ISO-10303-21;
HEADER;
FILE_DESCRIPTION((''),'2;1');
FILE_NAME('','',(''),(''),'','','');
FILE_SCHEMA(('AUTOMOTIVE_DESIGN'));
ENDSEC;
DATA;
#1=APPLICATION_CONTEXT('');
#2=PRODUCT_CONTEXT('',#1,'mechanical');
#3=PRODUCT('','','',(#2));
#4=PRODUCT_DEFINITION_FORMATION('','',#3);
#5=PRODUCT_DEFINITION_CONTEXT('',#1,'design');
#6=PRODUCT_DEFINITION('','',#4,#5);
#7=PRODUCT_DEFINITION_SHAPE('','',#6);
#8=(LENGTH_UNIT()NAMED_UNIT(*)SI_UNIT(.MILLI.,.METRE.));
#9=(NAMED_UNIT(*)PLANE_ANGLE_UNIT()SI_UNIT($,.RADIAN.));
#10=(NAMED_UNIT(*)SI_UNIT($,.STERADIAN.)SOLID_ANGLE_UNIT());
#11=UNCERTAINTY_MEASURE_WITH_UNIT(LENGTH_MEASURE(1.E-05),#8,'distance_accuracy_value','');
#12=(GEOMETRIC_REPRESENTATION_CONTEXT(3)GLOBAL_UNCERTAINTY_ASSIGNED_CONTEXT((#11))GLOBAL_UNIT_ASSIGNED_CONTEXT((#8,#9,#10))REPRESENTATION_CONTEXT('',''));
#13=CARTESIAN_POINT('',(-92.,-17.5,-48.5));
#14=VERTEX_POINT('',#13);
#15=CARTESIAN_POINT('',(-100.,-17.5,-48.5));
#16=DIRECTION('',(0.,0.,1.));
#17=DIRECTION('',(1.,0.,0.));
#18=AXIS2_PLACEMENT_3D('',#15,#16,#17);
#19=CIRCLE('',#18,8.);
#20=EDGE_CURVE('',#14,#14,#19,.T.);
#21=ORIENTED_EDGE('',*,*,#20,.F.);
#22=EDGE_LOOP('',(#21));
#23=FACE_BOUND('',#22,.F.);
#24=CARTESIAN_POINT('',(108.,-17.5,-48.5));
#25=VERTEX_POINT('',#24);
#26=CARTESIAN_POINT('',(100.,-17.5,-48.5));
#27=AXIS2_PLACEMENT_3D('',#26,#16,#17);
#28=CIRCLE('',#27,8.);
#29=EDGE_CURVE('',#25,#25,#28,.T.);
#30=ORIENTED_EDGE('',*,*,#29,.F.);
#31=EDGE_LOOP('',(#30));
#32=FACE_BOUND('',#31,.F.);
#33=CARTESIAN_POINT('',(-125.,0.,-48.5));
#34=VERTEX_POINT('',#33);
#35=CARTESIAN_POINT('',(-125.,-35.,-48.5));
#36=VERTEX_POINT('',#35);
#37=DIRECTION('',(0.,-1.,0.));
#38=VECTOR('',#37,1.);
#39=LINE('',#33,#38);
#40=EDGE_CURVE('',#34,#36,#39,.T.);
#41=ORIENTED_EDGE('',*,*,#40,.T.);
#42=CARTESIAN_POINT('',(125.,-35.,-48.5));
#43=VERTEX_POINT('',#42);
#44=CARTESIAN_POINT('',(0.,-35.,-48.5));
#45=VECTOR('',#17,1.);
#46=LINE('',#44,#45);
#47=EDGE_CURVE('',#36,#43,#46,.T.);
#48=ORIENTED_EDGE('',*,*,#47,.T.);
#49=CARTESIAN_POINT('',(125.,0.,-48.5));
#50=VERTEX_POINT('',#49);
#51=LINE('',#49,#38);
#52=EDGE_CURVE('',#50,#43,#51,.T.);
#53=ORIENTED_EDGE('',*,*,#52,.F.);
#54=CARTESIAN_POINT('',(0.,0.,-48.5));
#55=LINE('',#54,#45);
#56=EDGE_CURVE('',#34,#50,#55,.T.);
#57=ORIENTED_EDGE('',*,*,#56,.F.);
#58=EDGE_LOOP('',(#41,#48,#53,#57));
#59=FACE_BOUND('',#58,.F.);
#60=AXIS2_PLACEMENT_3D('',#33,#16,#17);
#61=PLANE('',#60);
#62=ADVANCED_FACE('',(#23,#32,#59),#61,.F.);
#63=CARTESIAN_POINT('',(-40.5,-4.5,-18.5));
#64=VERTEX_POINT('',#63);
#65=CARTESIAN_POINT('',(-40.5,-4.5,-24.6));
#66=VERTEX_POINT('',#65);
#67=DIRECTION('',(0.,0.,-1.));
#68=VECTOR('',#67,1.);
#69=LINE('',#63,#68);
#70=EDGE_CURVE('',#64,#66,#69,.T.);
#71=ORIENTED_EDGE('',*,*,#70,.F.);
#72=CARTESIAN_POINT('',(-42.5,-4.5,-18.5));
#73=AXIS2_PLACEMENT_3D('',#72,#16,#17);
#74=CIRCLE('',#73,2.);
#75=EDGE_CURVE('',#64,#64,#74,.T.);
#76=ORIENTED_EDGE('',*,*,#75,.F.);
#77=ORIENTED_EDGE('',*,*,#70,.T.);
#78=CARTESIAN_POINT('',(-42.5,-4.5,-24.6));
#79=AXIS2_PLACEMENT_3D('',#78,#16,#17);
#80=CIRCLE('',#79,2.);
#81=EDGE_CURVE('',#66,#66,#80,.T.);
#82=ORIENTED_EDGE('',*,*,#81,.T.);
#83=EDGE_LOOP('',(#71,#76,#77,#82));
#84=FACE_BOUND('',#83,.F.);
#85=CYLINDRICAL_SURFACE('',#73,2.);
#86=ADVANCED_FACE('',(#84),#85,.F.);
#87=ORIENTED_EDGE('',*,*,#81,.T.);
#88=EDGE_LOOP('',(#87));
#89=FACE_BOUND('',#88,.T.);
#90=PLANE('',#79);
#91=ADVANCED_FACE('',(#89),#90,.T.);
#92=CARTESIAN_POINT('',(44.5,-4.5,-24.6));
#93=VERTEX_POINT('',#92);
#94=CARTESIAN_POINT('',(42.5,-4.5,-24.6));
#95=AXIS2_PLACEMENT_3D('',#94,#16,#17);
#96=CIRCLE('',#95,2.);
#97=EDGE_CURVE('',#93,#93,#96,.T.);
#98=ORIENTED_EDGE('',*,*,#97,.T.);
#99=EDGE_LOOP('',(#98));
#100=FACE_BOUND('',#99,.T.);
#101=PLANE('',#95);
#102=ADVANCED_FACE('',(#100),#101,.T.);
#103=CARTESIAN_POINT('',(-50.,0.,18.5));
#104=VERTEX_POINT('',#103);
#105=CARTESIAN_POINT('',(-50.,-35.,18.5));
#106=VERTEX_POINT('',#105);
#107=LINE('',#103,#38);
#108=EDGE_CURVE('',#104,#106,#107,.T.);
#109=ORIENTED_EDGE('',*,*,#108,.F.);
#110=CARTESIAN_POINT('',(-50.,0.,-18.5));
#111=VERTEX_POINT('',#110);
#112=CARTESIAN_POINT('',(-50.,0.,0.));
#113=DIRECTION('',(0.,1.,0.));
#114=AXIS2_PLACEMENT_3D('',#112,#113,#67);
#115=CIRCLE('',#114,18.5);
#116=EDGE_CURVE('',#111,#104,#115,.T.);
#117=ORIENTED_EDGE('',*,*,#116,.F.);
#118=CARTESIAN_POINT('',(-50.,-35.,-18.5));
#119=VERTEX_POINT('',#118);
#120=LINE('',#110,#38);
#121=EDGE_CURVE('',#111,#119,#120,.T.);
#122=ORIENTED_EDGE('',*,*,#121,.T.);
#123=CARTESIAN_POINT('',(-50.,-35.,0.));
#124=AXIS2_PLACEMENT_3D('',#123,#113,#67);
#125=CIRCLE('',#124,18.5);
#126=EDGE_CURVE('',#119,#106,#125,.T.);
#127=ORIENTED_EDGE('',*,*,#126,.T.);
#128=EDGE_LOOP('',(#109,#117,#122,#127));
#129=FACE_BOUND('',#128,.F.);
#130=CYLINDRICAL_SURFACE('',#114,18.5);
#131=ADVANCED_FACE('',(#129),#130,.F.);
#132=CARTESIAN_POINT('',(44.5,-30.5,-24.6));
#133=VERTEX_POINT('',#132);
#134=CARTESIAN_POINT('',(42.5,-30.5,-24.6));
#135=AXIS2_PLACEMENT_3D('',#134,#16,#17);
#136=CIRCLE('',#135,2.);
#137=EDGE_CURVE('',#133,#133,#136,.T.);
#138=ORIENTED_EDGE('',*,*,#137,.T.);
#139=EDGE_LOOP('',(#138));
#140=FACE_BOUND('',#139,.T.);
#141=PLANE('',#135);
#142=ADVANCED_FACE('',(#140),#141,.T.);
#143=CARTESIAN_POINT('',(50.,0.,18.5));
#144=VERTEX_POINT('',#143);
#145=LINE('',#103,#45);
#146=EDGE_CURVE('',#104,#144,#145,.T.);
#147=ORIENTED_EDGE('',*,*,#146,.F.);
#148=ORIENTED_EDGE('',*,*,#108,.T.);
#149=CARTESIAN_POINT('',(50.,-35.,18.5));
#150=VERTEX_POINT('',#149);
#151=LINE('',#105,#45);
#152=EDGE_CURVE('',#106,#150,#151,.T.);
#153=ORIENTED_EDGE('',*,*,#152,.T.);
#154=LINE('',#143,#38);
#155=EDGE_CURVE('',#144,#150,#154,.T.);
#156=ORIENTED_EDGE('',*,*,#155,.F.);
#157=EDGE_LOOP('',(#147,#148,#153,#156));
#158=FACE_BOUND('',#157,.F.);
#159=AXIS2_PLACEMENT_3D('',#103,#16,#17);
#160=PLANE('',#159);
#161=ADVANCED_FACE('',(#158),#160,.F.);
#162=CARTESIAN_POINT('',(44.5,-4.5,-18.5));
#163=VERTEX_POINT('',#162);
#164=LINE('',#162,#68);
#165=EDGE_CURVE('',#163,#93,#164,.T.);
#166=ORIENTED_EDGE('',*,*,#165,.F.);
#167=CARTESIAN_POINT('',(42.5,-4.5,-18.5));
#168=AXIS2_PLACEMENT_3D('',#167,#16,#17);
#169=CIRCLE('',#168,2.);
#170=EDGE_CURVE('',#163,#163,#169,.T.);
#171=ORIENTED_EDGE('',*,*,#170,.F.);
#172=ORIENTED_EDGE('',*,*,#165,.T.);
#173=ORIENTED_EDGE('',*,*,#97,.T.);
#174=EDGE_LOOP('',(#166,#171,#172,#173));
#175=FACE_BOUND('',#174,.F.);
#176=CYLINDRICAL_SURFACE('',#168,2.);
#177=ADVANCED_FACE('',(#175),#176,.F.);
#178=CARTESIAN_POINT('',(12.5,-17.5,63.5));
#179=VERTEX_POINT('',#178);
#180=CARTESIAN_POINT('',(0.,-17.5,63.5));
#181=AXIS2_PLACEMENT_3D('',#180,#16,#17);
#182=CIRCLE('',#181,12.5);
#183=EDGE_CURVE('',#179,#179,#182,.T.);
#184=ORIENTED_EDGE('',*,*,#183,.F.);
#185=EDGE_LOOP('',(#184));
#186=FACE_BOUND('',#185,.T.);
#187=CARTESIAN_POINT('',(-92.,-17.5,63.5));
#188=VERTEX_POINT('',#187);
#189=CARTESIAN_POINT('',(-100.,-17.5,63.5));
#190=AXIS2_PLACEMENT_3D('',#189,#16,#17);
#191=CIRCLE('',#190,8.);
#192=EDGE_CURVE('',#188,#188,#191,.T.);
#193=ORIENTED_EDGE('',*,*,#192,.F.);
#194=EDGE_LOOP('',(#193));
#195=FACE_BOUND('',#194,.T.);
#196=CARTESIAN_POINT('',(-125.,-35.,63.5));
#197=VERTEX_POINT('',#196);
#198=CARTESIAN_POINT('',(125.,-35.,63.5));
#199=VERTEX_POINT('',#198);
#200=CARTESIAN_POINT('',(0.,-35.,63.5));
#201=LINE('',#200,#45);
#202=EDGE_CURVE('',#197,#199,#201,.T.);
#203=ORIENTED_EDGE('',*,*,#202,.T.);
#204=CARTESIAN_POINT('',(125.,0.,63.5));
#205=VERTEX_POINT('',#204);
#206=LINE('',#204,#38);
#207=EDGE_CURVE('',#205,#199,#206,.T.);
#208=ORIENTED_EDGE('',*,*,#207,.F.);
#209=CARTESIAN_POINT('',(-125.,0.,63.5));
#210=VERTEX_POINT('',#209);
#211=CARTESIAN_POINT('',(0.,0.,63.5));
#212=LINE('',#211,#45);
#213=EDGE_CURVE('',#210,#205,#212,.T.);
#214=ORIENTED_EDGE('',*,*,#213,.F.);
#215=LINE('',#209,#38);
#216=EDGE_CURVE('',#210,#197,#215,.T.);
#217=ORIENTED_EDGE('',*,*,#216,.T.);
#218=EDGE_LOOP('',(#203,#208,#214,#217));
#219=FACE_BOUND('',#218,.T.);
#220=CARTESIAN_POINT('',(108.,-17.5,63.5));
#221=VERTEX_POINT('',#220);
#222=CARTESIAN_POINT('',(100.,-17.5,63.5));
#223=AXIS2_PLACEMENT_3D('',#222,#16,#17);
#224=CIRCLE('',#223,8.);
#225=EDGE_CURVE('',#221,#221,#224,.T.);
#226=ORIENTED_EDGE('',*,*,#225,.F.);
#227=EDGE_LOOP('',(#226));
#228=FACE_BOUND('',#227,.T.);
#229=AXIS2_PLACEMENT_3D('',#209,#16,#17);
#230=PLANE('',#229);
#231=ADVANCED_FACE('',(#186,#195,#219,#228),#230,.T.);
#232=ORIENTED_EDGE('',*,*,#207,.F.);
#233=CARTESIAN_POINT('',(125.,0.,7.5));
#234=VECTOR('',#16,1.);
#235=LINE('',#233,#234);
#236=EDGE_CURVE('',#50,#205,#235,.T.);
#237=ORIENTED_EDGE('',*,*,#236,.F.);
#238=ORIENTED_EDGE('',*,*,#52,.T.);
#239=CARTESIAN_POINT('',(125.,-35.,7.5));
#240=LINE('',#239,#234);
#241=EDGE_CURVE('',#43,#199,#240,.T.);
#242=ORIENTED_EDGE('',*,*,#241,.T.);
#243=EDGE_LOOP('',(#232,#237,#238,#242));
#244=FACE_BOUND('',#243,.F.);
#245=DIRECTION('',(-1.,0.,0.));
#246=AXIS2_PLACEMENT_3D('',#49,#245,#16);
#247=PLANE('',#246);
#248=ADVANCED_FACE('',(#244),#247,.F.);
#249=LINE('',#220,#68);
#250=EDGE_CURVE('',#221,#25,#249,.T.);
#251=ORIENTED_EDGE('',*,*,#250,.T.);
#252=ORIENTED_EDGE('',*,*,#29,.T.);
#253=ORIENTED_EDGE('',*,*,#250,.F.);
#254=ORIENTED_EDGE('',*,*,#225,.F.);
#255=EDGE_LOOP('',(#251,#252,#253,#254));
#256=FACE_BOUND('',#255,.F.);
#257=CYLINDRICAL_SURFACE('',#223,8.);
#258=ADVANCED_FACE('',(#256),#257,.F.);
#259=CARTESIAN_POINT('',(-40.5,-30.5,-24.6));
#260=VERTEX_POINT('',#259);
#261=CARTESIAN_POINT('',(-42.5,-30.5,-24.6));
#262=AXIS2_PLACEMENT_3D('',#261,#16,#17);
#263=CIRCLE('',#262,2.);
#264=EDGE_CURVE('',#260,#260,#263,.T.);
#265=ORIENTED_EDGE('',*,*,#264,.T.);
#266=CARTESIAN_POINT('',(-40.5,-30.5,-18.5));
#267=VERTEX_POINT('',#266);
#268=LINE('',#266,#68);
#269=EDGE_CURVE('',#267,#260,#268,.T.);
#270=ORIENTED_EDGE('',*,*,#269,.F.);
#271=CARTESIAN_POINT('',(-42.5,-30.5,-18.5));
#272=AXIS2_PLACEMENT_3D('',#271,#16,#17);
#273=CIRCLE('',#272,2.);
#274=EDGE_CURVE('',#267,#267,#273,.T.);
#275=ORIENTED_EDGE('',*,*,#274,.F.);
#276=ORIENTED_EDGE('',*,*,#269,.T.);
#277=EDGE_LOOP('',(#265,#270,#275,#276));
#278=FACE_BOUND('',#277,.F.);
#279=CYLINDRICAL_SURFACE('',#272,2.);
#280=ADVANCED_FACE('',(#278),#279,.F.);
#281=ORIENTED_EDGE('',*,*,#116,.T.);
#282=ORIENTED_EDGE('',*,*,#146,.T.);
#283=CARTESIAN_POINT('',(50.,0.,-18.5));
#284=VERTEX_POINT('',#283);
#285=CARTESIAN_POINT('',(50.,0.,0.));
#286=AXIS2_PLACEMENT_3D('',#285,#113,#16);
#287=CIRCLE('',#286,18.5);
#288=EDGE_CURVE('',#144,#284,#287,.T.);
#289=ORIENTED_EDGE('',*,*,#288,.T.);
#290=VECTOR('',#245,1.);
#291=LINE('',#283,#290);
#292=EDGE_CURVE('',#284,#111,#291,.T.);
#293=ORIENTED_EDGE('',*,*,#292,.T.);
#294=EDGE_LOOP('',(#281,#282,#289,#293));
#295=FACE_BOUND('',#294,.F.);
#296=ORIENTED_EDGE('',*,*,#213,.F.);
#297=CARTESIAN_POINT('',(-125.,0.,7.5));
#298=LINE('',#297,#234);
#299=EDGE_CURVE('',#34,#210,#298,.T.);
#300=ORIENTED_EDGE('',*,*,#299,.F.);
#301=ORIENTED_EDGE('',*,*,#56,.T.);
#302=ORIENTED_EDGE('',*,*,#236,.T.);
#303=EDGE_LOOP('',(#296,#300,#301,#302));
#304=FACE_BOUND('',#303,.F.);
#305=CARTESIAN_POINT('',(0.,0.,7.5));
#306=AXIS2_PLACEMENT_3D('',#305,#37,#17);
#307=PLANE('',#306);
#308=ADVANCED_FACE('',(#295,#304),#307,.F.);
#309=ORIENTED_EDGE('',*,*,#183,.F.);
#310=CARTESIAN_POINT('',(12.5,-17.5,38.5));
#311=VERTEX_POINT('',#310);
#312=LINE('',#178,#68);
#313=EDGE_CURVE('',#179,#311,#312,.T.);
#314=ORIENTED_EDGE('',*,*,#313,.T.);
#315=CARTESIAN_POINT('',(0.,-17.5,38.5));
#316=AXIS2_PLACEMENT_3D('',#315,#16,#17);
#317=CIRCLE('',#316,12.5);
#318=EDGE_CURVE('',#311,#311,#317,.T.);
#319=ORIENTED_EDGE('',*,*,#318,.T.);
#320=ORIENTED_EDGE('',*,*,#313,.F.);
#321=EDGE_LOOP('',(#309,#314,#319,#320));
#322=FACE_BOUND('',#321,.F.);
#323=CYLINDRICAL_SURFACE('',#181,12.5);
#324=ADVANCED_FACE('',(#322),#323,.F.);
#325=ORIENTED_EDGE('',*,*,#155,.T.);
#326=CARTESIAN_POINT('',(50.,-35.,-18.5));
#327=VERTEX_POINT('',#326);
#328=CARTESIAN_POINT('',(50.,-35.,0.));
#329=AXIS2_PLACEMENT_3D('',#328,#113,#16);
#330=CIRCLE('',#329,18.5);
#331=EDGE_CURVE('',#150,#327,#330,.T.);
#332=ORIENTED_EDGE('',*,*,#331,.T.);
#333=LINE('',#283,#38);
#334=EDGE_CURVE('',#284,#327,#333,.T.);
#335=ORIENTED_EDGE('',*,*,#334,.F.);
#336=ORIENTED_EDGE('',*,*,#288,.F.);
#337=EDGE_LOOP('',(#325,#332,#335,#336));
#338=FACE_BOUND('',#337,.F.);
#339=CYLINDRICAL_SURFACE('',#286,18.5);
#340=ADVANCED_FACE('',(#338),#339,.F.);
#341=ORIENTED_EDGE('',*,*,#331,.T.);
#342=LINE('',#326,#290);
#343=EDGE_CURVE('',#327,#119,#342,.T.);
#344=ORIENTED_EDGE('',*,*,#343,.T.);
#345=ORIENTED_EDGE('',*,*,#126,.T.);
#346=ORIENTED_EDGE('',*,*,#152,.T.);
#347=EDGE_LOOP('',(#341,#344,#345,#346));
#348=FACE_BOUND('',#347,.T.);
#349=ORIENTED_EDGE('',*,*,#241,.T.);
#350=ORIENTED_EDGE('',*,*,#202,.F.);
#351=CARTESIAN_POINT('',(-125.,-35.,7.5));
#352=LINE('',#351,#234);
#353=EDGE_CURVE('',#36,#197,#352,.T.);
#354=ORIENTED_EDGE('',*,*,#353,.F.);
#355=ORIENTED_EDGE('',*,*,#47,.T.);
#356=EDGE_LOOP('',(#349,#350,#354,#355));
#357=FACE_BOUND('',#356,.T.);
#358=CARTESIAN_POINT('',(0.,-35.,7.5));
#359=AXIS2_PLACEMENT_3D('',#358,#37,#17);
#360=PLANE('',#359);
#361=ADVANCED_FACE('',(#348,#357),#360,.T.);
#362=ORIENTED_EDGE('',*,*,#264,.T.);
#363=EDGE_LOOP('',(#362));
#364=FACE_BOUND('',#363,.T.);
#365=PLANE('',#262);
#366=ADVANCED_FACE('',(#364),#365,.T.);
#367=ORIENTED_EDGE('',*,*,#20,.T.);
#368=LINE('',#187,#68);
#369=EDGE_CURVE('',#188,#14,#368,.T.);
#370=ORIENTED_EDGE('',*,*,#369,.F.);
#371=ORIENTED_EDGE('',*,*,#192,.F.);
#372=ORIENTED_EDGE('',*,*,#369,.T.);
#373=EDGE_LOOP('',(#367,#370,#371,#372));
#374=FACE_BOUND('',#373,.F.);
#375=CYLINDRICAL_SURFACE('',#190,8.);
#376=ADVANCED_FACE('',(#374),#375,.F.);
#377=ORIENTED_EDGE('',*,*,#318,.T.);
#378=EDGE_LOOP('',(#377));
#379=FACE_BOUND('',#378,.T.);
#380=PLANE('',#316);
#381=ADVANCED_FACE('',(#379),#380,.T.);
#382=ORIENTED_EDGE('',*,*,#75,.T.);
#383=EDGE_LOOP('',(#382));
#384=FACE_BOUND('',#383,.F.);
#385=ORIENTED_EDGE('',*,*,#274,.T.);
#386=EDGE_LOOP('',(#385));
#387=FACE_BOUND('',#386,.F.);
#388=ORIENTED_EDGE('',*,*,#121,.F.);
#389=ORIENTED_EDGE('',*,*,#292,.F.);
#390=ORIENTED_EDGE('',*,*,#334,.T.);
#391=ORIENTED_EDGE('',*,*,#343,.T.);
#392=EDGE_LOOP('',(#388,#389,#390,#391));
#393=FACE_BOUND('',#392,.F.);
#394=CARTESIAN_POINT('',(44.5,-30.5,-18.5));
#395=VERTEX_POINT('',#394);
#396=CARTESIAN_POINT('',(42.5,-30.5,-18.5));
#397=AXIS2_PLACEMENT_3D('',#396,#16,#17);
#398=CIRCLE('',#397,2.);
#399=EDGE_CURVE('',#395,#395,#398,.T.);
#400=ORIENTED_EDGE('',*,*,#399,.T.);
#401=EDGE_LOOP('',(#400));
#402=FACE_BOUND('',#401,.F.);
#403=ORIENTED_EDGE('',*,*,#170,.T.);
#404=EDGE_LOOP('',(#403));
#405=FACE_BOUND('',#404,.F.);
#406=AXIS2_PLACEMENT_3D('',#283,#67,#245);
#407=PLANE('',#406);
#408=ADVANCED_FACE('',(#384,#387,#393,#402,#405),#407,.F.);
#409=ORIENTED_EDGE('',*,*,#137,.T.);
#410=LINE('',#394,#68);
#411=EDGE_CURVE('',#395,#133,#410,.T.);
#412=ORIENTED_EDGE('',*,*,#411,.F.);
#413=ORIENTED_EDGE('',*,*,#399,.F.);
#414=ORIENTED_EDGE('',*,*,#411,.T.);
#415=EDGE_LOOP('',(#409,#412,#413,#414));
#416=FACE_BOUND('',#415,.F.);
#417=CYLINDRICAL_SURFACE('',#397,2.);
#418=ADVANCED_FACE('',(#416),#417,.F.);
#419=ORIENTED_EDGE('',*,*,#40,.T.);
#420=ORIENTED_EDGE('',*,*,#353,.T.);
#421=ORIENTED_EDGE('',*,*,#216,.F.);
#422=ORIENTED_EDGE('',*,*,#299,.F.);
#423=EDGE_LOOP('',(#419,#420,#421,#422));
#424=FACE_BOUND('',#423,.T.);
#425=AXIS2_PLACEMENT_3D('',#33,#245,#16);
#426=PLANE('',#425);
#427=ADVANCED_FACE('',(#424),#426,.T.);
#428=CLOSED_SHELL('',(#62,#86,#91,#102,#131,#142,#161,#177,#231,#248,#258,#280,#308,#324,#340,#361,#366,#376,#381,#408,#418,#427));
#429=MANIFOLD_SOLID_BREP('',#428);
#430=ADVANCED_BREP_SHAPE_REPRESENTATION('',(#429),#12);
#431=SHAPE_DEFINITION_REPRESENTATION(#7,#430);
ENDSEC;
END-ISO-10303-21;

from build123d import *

# Parameters (mm, degrees)
F0_W     = 250
F0_H     = 112
F1_DEPTH = 35
F2_R     = 8
F3_DEPTH = 400
F4_R     = 12.5
F5_DEPTH = 25
F6_R     = 2
F7_DEPTH = 6.1


with BuildPart() as f1:
    # F0 (on Front) → F1 (new body)
    with BuildSketch(Plane.XZ):
        with Locations((0, 7.5)):
            Rectangle(F0_W, F0_H)
        with BuildLine():
            Line((50, -18.5), (-50, -18.5))
            ThreePointArc((-50, -18.5), (-68.5, 0), (-50, 18.5))
            Line((-50, 18.5), (50, 18.5))
            ThreePointArc((50, 18.5), (68.5, 0), (50, -18.5))
        make_face(mode=Mode.SUBTRACT)
    extrude(amount=F1_DEPTH)

    # F2 (on face) → F3 (cut)
    with BuildSketch(Plane.XY.offset(63.5)):
        with Locations((-100, -17.5)):
            Circle(F2_R)
        with Locations((100, -17.5)):
            Circle(F2_R)
    extrude(amount=-F3_DEPTH, mode=Mode.SUBTRACT)

    # F4 (on face) → F5 (cut)
    with BuildSketch(Plane.XY.offset(63.5)):
        with Locations((0, -17.5)):
            Circle(F4_R)
    extrude(amount=-F5_DEPTH, mode=Mode.SUBTRACT)

    # F6 (on face) → F7 (cut)
    with BuildSketch(Plane.XY.offset(-18.5)):
        with Locations((-42.5, -4.5)):
            Circle(F6_R)
        with Locations((-42.5, -30.5)):
            Circle(F6_R)
        with Locations((42.5, -4.5)):
            Circle(F6_R)
        with Locations((42.5, -30.5)):
            Circle(F6_R)
    extrude(amount=-F7_DEPTH, mode=Mode.SUBTRACT)


solid = f1.part
